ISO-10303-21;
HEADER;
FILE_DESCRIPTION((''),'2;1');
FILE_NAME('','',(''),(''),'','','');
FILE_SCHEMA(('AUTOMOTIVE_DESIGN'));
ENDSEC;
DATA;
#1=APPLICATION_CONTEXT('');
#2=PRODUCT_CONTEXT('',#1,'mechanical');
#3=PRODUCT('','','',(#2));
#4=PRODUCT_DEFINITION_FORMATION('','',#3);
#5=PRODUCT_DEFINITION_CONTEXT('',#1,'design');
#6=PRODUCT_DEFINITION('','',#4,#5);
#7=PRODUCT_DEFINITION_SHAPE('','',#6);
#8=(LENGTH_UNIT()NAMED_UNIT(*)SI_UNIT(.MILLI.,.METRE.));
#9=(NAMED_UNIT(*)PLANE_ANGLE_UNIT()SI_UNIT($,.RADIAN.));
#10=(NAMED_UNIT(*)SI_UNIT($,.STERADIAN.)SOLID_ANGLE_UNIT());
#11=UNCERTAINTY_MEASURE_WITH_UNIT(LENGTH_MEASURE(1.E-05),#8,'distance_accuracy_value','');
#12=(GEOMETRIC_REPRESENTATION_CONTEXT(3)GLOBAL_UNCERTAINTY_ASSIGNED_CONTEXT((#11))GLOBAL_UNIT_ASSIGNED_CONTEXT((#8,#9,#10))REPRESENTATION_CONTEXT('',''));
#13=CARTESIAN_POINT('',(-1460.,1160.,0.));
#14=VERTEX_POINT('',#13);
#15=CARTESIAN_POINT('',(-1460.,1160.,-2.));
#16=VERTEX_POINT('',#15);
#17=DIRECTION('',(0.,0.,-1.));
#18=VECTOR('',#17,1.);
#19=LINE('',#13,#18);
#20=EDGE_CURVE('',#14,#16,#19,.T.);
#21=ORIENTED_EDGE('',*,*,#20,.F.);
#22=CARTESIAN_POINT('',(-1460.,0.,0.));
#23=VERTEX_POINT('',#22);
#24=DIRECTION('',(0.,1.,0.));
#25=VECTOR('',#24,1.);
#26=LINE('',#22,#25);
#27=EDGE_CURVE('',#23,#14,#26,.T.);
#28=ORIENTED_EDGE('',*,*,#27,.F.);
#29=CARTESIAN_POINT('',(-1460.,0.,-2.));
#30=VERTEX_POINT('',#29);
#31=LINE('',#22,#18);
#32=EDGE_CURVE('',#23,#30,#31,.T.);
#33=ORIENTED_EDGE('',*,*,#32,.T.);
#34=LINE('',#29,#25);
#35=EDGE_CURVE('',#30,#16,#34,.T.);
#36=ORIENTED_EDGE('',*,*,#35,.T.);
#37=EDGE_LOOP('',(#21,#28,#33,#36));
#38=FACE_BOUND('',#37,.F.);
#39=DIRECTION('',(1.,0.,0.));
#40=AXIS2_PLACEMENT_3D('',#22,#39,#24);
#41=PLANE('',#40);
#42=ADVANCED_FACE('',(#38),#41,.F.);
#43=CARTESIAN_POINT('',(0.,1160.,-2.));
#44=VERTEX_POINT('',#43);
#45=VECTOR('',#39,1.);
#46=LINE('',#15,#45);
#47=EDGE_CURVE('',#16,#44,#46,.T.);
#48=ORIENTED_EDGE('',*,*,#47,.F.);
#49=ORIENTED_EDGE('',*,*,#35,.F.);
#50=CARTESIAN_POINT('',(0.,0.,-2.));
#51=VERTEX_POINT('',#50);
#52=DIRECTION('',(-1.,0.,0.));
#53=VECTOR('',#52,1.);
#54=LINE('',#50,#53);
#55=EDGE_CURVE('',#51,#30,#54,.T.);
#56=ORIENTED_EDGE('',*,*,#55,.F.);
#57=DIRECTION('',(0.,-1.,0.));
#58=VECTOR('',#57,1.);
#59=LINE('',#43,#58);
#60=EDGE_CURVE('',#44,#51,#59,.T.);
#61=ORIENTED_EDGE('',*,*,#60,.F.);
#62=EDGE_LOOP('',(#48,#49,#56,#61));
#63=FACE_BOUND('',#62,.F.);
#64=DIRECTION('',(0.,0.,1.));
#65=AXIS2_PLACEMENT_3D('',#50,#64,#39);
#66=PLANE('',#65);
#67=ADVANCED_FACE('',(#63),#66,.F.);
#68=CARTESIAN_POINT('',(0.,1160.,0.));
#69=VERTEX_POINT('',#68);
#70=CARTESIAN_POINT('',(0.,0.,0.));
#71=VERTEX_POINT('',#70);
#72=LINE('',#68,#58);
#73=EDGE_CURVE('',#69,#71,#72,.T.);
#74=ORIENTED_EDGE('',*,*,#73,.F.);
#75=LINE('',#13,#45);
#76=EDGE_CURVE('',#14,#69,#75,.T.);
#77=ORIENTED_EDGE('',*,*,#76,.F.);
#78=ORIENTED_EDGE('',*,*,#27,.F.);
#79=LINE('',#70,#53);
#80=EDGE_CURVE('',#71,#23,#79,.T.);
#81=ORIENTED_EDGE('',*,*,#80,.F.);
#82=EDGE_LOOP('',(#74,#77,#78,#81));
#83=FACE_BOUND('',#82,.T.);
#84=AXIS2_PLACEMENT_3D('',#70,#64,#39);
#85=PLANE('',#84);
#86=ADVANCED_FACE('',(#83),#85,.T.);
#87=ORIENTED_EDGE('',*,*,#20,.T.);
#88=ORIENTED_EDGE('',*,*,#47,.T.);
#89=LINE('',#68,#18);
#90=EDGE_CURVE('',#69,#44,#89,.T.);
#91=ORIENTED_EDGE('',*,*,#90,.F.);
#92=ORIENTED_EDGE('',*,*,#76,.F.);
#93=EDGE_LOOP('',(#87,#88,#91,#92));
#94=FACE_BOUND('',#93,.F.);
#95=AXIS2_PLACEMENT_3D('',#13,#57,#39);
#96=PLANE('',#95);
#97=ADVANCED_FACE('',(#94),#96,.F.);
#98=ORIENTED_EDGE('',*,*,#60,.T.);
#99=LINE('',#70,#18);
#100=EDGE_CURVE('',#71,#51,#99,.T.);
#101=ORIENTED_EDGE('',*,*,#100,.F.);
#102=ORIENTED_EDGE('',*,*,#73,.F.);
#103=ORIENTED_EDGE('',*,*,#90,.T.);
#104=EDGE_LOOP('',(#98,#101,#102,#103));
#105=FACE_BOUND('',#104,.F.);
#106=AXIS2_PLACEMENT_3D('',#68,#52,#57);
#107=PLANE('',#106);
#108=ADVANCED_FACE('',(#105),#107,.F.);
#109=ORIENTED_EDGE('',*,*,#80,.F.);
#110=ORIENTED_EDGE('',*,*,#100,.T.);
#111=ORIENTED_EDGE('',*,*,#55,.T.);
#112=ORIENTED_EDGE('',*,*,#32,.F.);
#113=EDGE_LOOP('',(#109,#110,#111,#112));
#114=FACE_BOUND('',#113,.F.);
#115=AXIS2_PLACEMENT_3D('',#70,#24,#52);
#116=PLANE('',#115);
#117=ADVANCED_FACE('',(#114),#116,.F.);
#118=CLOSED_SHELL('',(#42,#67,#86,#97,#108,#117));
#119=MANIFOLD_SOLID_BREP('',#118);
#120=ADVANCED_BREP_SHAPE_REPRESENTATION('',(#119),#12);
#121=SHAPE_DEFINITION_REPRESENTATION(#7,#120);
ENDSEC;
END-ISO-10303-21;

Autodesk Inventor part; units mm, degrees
ref_plane "YZ Plane" through (0, 0, 0) normal (1, 0, 0) x (0, 1, 0)
ref_plane "XZ Plane" through (0, 0, 0) normal (0, 1, 0) x (-1, 0, 0)
ref_plane "XY Plane" through (0, 0, 0) normal (0, 0, 1) x (1, 0, 0)
sketch "Sketch1" plane through (0, 0, 0) normal (0, 0, 1) x (1, 0, 0)
  line L0 (0, 0) -> (-1460, 0)
  line L1 (-1460, 0) -> (-1460, 1160)
  line L2 (-1460, 1160) -> (0, 1160)
  line L3 (0, 1160) -> (0, 0)
  dimension "d0" = 1460
  dimension "d1" = 1160
extrude "Extrusion1" add sketch "Sketch1" against normal blind 2
properties part number "acrilicoFixo"
